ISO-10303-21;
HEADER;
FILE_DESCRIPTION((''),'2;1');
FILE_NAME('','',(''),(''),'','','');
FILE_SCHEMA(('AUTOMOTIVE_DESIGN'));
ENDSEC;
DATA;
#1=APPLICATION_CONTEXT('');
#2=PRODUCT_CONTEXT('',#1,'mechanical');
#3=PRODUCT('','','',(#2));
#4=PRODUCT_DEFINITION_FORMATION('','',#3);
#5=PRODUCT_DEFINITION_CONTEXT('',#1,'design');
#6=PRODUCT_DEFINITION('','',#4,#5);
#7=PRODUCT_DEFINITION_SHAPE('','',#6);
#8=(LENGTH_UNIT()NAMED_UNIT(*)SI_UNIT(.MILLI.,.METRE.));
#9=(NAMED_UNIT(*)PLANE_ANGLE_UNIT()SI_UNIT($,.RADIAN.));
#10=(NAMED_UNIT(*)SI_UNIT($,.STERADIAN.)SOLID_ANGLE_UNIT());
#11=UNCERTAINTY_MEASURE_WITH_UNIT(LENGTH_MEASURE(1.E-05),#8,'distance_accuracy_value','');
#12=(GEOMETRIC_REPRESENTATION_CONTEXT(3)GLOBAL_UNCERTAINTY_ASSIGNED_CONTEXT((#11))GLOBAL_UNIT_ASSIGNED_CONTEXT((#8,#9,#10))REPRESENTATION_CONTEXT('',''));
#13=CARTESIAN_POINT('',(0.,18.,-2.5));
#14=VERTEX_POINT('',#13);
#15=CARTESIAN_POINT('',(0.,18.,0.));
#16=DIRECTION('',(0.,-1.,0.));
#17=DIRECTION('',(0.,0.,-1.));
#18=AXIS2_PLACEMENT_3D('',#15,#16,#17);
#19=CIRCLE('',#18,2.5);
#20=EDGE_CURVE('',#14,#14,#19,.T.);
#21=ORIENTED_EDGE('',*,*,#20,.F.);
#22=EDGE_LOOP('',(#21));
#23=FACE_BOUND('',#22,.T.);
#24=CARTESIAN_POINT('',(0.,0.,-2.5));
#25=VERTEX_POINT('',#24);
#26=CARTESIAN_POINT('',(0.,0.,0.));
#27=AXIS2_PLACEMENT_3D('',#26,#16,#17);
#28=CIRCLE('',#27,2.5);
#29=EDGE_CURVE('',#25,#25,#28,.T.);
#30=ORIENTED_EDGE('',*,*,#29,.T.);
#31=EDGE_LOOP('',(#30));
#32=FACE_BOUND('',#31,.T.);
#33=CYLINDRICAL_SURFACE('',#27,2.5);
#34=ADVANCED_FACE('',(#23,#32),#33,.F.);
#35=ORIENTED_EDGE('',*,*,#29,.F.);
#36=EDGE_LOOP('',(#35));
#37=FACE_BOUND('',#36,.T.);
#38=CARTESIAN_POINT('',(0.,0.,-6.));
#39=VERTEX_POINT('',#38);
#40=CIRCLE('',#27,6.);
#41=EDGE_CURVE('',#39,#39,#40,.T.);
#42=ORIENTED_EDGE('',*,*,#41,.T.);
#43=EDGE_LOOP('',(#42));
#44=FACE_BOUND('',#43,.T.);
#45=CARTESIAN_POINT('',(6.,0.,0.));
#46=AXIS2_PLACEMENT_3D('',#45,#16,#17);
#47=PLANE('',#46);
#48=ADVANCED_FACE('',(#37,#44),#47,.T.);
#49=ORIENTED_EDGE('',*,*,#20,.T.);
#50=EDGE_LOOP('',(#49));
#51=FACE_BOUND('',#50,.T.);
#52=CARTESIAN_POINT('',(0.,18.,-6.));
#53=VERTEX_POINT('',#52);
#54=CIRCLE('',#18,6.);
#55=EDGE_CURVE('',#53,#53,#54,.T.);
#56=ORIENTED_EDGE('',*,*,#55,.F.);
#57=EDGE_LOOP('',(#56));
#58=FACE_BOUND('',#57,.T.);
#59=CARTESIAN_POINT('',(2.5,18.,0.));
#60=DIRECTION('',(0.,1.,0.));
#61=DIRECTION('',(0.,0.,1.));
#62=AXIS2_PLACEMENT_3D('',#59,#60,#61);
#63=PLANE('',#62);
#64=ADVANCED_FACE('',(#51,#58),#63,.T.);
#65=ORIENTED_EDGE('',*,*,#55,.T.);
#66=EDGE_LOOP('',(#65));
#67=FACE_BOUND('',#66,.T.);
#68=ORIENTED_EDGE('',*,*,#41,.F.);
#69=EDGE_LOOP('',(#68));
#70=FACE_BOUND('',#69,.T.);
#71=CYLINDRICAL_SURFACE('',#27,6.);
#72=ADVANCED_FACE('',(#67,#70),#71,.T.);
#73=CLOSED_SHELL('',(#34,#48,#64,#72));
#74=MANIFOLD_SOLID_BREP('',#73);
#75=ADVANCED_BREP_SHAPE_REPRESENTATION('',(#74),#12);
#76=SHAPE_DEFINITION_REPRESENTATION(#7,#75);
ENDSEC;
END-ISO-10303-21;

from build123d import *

# Parameters (mm, degrees)
SKETCH1_W = 3.5
SKETCH1_H = 18


with BuildPart() as part:
    # Sketch1 → Revolve1 (revolve)
    with BuildSketch(Plane.XY):
        with Locations((4.25, 9)):
            Rectangle(SKETCH1_W, SKETCH1_H)
    revolve(axis=Axis((0, 0, 0), (0, 1, 0)))


solid = part.part
